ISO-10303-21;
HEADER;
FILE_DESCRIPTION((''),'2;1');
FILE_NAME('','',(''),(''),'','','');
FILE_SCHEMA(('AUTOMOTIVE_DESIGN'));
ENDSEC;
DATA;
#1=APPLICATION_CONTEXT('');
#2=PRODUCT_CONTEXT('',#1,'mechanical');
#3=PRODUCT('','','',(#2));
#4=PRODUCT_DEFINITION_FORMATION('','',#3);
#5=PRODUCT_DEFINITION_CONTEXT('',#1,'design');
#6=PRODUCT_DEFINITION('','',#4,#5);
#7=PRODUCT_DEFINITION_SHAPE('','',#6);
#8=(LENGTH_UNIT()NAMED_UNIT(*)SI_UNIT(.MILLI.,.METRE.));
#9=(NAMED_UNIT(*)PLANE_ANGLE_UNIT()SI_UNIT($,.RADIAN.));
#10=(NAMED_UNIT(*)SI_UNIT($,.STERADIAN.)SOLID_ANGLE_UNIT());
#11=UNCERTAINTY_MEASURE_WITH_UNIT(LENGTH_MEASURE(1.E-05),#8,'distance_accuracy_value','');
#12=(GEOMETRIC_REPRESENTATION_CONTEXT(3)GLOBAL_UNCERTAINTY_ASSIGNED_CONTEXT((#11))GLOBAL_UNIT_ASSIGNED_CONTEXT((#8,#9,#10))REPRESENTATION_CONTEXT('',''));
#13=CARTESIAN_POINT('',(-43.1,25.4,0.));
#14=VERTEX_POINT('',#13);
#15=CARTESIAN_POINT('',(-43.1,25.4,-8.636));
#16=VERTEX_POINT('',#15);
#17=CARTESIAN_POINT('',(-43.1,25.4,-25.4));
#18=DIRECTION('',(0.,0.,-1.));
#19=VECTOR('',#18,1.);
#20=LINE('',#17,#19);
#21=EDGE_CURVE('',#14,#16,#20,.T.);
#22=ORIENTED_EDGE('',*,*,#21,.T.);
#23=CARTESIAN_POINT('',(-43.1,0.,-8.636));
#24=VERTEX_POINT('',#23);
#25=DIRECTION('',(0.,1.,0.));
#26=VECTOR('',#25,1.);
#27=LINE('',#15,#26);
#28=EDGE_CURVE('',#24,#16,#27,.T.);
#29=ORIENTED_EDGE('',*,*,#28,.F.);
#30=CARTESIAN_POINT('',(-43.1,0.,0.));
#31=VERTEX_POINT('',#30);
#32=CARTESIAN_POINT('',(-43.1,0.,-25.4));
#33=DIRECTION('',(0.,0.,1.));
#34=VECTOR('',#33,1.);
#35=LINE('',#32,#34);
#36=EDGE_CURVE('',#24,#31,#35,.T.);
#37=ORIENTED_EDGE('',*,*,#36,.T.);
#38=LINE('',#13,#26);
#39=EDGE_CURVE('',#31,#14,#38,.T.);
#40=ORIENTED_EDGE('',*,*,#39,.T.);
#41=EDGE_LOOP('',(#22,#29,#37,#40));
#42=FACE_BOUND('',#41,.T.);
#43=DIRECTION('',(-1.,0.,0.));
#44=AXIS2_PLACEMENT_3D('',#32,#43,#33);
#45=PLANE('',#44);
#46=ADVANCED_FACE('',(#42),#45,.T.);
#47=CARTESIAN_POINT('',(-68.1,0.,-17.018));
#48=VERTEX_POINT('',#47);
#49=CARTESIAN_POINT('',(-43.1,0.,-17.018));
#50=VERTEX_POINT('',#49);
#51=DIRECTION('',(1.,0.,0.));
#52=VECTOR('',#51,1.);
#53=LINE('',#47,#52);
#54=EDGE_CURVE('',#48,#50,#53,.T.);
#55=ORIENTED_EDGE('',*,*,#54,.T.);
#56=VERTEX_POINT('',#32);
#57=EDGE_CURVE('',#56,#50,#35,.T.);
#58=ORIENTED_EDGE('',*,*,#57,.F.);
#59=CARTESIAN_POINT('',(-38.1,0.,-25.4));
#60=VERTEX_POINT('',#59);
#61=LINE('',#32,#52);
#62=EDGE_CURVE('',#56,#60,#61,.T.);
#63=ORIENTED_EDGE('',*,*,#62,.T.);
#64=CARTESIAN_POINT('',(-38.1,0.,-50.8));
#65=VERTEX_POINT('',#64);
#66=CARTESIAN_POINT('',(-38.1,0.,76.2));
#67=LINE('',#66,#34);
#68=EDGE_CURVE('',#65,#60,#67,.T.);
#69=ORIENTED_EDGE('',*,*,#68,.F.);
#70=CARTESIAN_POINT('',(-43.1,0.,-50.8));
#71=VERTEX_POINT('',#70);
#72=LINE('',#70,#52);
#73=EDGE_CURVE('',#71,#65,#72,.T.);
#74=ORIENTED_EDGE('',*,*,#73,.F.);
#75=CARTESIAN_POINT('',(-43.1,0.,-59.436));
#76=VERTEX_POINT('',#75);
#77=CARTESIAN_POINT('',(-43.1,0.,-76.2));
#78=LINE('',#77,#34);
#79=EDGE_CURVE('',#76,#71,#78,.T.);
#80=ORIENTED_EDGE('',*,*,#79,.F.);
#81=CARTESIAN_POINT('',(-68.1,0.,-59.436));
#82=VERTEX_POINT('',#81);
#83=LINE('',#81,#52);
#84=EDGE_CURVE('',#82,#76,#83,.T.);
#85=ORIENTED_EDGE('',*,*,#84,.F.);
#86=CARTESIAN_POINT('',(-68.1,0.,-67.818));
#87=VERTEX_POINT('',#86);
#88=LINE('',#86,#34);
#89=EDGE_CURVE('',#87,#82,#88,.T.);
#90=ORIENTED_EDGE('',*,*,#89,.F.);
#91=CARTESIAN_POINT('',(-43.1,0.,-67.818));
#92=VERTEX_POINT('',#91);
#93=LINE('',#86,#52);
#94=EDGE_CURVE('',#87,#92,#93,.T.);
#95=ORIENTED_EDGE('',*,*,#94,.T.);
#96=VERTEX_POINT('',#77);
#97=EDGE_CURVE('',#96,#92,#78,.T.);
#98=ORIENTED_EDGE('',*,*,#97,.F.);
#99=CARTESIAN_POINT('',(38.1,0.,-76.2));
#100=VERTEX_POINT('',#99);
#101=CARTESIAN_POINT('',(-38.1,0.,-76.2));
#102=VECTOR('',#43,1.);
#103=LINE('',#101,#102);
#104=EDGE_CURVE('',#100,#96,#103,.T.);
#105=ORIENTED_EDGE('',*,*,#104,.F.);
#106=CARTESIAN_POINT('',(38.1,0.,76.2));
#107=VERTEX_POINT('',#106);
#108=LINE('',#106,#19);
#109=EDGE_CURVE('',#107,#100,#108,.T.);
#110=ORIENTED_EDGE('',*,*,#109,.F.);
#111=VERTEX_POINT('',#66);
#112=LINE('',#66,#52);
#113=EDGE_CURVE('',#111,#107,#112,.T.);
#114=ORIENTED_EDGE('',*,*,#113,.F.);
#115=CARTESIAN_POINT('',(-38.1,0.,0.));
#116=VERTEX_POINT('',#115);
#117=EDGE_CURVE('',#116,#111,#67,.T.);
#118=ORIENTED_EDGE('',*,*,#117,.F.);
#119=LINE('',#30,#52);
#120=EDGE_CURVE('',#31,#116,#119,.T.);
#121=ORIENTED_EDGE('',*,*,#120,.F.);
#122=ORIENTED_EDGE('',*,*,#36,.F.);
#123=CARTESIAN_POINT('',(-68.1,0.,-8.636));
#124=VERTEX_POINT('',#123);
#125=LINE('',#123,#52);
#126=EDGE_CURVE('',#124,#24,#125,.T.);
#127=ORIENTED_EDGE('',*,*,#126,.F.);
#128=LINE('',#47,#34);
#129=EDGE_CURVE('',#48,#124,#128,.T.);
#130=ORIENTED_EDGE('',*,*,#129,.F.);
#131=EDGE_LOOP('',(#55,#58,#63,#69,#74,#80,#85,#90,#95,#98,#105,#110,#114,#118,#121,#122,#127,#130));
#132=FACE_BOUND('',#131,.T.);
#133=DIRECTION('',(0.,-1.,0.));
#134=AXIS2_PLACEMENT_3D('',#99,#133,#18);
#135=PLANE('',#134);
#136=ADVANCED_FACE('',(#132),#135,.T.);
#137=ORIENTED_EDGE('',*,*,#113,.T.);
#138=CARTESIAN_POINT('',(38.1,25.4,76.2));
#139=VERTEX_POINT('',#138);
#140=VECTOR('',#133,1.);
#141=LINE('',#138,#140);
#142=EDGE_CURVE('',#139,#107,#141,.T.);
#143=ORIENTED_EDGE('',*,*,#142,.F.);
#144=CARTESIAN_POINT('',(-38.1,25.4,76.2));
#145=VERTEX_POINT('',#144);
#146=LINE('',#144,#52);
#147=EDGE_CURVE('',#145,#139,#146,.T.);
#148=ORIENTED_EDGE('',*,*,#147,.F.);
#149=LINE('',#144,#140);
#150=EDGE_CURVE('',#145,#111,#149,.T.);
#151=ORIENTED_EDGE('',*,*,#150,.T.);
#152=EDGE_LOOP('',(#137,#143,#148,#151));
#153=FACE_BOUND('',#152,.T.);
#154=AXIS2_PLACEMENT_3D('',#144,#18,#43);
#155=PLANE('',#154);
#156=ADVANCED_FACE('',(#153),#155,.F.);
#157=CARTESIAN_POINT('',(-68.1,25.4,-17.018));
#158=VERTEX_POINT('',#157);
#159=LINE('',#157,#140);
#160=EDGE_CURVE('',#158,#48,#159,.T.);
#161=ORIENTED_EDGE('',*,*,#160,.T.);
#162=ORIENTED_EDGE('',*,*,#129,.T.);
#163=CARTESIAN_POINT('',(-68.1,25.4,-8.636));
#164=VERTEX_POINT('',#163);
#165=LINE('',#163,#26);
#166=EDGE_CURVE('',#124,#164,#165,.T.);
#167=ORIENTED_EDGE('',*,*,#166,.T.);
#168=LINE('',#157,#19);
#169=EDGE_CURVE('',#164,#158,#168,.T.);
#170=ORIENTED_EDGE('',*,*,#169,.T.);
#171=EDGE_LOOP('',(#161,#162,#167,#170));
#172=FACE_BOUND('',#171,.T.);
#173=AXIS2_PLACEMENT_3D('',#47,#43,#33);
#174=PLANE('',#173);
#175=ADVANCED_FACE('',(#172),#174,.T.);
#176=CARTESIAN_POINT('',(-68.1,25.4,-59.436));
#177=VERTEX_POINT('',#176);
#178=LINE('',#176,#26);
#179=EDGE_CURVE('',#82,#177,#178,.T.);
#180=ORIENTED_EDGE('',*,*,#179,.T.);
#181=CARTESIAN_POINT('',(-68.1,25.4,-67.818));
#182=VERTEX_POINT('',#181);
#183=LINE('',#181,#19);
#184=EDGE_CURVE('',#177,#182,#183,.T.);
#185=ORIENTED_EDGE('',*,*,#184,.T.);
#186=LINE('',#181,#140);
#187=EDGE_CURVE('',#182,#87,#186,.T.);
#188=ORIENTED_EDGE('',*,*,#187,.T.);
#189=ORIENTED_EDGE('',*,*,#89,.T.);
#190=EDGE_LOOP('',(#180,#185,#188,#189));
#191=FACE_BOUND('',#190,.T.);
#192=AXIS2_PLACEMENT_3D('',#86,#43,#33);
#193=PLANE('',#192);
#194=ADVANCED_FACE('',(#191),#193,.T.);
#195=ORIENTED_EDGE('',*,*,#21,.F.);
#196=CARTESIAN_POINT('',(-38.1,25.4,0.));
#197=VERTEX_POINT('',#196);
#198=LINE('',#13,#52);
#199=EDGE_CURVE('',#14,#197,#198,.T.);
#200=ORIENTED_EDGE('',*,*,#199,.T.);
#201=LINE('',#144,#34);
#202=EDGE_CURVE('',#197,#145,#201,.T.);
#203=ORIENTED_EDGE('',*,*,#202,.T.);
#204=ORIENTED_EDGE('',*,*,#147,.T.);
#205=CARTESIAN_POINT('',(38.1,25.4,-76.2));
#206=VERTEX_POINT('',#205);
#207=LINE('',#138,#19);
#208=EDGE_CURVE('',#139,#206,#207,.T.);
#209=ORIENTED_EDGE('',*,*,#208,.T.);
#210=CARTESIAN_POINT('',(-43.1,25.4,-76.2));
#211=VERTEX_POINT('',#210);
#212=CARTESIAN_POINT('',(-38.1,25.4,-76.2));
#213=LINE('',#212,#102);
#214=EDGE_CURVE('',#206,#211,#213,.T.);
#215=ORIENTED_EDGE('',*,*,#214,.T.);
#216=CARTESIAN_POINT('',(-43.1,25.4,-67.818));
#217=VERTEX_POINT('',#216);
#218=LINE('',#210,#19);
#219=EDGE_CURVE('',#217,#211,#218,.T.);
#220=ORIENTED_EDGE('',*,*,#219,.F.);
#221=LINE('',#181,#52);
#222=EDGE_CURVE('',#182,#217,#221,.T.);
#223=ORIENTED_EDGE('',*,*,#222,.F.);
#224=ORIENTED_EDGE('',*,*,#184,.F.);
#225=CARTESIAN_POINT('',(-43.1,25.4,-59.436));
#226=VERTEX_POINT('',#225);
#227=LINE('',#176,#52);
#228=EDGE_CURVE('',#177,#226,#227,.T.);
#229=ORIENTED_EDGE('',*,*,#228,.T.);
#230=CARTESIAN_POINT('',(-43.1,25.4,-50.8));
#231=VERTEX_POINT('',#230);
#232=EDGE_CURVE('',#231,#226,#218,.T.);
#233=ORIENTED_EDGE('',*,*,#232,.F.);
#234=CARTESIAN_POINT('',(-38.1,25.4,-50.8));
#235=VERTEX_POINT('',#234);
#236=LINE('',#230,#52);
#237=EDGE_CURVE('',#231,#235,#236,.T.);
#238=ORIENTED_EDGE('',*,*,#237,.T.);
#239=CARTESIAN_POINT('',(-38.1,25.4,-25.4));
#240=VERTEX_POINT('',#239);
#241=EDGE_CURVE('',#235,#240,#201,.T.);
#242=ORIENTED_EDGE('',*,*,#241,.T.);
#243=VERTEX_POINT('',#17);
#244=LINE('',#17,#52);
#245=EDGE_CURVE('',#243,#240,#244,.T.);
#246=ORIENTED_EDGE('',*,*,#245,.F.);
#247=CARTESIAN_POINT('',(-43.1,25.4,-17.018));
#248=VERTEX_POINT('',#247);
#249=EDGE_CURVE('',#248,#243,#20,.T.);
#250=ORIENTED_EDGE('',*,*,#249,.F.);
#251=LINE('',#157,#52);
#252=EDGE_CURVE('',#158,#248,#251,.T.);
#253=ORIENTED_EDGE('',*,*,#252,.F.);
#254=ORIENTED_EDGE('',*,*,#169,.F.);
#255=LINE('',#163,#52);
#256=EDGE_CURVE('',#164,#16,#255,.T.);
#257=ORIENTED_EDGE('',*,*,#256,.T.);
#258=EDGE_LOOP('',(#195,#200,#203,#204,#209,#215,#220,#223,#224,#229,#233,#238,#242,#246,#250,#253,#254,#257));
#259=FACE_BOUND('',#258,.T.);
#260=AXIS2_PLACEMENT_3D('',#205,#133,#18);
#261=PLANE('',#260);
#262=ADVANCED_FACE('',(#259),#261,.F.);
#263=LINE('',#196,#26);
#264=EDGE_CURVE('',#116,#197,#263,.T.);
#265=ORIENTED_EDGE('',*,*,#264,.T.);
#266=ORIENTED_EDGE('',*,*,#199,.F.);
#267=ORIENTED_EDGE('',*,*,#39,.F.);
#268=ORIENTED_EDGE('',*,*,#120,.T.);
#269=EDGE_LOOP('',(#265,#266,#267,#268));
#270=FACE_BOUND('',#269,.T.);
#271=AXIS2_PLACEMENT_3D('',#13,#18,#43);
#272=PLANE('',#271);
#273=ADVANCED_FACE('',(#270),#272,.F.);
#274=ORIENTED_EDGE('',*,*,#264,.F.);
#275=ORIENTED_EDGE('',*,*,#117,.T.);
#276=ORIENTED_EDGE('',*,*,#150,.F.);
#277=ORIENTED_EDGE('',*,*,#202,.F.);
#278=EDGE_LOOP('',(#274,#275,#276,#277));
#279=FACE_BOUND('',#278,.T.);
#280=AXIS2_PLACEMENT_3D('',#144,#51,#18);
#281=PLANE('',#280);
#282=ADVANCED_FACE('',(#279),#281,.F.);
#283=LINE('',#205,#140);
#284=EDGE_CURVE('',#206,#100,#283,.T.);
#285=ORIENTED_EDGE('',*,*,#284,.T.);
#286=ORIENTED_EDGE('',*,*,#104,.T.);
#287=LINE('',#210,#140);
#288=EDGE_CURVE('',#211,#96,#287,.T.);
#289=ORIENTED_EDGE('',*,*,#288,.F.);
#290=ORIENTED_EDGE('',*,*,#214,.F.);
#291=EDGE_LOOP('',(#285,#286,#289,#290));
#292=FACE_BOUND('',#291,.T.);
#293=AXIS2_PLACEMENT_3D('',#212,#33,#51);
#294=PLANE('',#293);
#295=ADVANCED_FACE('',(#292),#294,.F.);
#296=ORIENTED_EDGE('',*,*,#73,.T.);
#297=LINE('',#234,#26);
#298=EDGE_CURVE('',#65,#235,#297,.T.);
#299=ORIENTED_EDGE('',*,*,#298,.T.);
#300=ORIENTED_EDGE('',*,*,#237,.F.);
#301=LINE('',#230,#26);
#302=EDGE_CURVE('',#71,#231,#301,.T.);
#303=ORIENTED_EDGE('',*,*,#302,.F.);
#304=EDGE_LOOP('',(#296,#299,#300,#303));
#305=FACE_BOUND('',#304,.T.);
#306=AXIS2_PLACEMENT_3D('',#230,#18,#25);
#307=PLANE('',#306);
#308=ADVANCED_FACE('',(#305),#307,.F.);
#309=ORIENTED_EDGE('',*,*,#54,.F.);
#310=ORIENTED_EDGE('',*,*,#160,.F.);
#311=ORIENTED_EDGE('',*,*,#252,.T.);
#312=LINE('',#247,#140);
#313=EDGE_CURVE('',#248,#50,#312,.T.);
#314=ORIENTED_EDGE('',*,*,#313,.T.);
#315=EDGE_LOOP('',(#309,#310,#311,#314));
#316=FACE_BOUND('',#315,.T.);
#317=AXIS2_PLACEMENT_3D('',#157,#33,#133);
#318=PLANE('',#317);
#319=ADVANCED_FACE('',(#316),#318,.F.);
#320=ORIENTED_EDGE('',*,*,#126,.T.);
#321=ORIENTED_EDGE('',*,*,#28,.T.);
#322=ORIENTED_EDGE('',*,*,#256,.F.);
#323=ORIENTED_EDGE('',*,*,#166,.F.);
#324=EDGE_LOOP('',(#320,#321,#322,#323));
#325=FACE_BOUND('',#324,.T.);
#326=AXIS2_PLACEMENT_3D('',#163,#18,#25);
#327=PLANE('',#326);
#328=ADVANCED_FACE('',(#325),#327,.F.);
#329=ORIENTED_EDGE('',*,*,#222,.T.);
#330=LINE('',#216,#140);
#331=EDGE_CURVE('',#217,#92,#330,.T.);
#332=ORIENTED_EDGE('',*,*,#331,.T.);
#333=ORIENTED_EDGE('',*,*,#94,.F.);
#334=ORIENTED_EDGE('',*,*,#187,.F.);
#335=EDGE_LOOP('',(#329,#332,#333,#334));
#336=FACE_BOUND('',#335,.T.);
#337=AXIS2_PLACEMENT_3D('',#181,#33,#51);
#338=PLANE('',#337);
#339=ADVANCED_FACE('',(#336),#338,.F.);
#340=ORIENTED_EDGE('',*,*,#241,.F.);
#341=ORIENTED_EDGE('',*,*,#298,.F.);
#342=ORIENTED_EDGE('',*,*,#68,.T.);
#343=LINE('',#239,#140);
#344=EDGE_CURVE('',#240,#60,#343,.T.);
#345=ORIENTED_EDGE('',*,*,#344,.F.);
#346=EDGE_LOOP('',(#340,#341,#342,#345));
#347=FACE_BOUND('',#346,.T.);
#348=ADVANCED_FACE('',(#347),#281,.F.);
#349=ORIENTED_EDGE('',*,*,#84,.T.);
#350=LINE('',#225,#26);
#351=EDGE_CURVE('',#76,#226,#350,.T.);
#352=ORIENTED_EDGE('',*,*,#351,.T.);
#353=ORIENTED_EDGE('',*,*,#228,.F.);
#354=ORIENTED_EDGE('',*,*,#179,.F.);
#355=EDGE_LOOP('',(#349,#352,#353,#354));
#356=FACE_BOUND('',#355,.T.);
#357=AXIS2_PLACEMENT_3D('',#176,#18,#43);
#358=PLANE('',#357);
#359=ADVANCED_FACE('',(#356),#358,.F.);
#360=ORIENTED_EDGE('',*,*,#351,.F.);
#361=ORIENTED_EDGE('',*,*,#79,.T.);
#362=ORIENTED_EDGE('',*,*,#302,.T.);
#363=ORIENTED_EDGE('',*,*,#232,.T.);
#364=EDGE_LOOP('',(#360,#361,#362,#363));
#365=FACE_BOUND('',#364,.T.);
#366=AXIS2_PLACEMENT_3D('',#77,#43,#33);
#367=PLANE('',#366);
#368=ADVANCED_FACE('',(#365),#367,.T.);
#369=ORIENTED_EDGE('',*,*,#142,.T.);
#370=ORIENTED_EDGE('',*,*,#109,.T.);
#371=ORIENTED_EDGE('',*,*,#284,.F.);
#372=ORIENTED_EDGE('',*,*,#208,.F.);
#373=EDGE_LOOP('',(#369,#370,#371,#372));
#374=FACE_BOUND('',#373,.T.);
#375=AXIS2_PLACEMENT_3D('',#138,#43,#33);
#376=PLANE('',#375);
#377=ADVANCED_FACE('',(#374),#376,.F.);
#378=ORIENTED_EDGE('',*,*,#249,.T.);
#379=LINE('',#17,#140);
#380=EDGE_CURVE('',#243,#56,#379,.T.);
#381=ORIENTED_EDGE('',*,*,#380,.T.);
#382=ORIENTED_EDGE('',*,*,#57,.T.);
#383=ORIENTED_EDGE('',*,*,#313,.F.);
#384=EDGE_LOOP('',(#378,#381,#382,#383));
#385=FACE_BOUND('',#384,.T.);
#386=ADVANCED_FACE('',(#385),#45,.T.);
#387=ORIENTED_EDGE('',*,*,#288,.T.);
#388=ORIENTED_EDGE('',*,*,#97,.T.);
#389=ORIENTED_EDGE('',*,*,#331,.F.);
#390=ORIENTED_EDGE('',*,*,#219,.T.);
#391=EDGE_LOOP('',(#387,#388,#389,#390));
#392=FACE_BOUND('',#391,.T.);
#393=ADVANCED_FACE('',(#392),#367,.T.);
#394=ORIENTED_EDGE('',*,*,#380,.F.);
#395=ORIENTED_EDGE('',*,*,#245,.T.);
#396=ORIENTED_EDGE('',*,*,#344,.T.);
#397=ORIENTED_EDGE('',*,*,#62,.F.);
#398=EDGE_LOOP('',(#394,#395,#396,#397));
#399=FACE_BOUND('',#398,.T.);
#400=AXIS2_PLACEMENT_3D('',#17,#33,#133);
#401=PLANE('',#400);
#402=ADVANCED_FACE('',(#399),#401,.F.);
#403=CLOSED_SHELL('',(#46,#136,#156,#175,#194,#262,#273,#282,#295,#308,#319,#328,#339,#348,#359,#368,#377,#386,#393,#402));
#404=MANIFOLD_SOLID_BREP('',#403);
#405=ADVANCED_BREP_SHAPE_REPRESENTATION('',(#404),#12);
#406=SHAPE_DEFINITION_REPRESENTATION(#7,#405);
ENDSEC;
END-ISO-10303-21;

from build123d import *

# Parameters (mm, degrees)
SKETCH1_W      = 76.2
SKETCH1_H      = 152.4
EXTRUDE1_DEPTH = 25.4
SKETCH2_W      = 25.4
SKETCH2_H      = 25.4
EXTRUDE2_DEPTH = 5
SKETCH3_W      = 8.382
SKETCH3_H      = 25.4
EXTRUDE3_DEPTH = 25
SKETCH4_W      = 25.4
SKETCH4_H      = 25.4
EXTRUDE4_DEPTH = 5
SKETCH5_W      = 8.382
SKETCH5_H      = 25.4
EXTRUDE5_DEPTH = 25


with BuildPart() as part:
    # Sketch1 → Extrude1 (new body)
    with BuildSketch(Plane(origin=(0, 0, 0), x_dir=(1, 0, 0), z_dir=(0, 1, 0))):
        Rectangle(SKETCH1_W, SKETCH1_H)
    extrude(amount=EXTRUDE1_DEPTH)

    # Sketch2 → Extrude2 (add)
    with BuildSketch(Plane.ZY.offset(38.1)):
        with Locations((-63.5, 12.7)):
            Rectangle(SKETCH2_W, SKETCH2_H)
    extrude(amount=EXTRUDE2_DEPTH)

    # Sketch3 → Extrude3 (add)
    with BuildSketch(Plane.ZY.offset(43.1)):
        with Locations((-63.627, 12.7)):
            Rectangle(SKETCH3_W, SKETCH3_H)
    extrude(amount=EXTRUDE3_DEPTH)

    # Sketch4 → Extrude4 (add)
    with BuildSketch(Plane.ZY.offset(38.1)):
        with Locations((-12.7, 12.7)):
            Rectangle(SKETCH4_W, SKETCH4_H)
    extrude(amount=EXTRUDE4_DEPTH)

    # Sketch5 → Extrude5 (add)
    with BuildSketch(Plane.ZY.offset(43.1)):
        with Locations((-12.827, 12.7)):
            Rectangle(SKETCH5_W, SKETCH5_H)
    extrude(amount=EXTRUDE5_DEPTH)


solid = part.part
